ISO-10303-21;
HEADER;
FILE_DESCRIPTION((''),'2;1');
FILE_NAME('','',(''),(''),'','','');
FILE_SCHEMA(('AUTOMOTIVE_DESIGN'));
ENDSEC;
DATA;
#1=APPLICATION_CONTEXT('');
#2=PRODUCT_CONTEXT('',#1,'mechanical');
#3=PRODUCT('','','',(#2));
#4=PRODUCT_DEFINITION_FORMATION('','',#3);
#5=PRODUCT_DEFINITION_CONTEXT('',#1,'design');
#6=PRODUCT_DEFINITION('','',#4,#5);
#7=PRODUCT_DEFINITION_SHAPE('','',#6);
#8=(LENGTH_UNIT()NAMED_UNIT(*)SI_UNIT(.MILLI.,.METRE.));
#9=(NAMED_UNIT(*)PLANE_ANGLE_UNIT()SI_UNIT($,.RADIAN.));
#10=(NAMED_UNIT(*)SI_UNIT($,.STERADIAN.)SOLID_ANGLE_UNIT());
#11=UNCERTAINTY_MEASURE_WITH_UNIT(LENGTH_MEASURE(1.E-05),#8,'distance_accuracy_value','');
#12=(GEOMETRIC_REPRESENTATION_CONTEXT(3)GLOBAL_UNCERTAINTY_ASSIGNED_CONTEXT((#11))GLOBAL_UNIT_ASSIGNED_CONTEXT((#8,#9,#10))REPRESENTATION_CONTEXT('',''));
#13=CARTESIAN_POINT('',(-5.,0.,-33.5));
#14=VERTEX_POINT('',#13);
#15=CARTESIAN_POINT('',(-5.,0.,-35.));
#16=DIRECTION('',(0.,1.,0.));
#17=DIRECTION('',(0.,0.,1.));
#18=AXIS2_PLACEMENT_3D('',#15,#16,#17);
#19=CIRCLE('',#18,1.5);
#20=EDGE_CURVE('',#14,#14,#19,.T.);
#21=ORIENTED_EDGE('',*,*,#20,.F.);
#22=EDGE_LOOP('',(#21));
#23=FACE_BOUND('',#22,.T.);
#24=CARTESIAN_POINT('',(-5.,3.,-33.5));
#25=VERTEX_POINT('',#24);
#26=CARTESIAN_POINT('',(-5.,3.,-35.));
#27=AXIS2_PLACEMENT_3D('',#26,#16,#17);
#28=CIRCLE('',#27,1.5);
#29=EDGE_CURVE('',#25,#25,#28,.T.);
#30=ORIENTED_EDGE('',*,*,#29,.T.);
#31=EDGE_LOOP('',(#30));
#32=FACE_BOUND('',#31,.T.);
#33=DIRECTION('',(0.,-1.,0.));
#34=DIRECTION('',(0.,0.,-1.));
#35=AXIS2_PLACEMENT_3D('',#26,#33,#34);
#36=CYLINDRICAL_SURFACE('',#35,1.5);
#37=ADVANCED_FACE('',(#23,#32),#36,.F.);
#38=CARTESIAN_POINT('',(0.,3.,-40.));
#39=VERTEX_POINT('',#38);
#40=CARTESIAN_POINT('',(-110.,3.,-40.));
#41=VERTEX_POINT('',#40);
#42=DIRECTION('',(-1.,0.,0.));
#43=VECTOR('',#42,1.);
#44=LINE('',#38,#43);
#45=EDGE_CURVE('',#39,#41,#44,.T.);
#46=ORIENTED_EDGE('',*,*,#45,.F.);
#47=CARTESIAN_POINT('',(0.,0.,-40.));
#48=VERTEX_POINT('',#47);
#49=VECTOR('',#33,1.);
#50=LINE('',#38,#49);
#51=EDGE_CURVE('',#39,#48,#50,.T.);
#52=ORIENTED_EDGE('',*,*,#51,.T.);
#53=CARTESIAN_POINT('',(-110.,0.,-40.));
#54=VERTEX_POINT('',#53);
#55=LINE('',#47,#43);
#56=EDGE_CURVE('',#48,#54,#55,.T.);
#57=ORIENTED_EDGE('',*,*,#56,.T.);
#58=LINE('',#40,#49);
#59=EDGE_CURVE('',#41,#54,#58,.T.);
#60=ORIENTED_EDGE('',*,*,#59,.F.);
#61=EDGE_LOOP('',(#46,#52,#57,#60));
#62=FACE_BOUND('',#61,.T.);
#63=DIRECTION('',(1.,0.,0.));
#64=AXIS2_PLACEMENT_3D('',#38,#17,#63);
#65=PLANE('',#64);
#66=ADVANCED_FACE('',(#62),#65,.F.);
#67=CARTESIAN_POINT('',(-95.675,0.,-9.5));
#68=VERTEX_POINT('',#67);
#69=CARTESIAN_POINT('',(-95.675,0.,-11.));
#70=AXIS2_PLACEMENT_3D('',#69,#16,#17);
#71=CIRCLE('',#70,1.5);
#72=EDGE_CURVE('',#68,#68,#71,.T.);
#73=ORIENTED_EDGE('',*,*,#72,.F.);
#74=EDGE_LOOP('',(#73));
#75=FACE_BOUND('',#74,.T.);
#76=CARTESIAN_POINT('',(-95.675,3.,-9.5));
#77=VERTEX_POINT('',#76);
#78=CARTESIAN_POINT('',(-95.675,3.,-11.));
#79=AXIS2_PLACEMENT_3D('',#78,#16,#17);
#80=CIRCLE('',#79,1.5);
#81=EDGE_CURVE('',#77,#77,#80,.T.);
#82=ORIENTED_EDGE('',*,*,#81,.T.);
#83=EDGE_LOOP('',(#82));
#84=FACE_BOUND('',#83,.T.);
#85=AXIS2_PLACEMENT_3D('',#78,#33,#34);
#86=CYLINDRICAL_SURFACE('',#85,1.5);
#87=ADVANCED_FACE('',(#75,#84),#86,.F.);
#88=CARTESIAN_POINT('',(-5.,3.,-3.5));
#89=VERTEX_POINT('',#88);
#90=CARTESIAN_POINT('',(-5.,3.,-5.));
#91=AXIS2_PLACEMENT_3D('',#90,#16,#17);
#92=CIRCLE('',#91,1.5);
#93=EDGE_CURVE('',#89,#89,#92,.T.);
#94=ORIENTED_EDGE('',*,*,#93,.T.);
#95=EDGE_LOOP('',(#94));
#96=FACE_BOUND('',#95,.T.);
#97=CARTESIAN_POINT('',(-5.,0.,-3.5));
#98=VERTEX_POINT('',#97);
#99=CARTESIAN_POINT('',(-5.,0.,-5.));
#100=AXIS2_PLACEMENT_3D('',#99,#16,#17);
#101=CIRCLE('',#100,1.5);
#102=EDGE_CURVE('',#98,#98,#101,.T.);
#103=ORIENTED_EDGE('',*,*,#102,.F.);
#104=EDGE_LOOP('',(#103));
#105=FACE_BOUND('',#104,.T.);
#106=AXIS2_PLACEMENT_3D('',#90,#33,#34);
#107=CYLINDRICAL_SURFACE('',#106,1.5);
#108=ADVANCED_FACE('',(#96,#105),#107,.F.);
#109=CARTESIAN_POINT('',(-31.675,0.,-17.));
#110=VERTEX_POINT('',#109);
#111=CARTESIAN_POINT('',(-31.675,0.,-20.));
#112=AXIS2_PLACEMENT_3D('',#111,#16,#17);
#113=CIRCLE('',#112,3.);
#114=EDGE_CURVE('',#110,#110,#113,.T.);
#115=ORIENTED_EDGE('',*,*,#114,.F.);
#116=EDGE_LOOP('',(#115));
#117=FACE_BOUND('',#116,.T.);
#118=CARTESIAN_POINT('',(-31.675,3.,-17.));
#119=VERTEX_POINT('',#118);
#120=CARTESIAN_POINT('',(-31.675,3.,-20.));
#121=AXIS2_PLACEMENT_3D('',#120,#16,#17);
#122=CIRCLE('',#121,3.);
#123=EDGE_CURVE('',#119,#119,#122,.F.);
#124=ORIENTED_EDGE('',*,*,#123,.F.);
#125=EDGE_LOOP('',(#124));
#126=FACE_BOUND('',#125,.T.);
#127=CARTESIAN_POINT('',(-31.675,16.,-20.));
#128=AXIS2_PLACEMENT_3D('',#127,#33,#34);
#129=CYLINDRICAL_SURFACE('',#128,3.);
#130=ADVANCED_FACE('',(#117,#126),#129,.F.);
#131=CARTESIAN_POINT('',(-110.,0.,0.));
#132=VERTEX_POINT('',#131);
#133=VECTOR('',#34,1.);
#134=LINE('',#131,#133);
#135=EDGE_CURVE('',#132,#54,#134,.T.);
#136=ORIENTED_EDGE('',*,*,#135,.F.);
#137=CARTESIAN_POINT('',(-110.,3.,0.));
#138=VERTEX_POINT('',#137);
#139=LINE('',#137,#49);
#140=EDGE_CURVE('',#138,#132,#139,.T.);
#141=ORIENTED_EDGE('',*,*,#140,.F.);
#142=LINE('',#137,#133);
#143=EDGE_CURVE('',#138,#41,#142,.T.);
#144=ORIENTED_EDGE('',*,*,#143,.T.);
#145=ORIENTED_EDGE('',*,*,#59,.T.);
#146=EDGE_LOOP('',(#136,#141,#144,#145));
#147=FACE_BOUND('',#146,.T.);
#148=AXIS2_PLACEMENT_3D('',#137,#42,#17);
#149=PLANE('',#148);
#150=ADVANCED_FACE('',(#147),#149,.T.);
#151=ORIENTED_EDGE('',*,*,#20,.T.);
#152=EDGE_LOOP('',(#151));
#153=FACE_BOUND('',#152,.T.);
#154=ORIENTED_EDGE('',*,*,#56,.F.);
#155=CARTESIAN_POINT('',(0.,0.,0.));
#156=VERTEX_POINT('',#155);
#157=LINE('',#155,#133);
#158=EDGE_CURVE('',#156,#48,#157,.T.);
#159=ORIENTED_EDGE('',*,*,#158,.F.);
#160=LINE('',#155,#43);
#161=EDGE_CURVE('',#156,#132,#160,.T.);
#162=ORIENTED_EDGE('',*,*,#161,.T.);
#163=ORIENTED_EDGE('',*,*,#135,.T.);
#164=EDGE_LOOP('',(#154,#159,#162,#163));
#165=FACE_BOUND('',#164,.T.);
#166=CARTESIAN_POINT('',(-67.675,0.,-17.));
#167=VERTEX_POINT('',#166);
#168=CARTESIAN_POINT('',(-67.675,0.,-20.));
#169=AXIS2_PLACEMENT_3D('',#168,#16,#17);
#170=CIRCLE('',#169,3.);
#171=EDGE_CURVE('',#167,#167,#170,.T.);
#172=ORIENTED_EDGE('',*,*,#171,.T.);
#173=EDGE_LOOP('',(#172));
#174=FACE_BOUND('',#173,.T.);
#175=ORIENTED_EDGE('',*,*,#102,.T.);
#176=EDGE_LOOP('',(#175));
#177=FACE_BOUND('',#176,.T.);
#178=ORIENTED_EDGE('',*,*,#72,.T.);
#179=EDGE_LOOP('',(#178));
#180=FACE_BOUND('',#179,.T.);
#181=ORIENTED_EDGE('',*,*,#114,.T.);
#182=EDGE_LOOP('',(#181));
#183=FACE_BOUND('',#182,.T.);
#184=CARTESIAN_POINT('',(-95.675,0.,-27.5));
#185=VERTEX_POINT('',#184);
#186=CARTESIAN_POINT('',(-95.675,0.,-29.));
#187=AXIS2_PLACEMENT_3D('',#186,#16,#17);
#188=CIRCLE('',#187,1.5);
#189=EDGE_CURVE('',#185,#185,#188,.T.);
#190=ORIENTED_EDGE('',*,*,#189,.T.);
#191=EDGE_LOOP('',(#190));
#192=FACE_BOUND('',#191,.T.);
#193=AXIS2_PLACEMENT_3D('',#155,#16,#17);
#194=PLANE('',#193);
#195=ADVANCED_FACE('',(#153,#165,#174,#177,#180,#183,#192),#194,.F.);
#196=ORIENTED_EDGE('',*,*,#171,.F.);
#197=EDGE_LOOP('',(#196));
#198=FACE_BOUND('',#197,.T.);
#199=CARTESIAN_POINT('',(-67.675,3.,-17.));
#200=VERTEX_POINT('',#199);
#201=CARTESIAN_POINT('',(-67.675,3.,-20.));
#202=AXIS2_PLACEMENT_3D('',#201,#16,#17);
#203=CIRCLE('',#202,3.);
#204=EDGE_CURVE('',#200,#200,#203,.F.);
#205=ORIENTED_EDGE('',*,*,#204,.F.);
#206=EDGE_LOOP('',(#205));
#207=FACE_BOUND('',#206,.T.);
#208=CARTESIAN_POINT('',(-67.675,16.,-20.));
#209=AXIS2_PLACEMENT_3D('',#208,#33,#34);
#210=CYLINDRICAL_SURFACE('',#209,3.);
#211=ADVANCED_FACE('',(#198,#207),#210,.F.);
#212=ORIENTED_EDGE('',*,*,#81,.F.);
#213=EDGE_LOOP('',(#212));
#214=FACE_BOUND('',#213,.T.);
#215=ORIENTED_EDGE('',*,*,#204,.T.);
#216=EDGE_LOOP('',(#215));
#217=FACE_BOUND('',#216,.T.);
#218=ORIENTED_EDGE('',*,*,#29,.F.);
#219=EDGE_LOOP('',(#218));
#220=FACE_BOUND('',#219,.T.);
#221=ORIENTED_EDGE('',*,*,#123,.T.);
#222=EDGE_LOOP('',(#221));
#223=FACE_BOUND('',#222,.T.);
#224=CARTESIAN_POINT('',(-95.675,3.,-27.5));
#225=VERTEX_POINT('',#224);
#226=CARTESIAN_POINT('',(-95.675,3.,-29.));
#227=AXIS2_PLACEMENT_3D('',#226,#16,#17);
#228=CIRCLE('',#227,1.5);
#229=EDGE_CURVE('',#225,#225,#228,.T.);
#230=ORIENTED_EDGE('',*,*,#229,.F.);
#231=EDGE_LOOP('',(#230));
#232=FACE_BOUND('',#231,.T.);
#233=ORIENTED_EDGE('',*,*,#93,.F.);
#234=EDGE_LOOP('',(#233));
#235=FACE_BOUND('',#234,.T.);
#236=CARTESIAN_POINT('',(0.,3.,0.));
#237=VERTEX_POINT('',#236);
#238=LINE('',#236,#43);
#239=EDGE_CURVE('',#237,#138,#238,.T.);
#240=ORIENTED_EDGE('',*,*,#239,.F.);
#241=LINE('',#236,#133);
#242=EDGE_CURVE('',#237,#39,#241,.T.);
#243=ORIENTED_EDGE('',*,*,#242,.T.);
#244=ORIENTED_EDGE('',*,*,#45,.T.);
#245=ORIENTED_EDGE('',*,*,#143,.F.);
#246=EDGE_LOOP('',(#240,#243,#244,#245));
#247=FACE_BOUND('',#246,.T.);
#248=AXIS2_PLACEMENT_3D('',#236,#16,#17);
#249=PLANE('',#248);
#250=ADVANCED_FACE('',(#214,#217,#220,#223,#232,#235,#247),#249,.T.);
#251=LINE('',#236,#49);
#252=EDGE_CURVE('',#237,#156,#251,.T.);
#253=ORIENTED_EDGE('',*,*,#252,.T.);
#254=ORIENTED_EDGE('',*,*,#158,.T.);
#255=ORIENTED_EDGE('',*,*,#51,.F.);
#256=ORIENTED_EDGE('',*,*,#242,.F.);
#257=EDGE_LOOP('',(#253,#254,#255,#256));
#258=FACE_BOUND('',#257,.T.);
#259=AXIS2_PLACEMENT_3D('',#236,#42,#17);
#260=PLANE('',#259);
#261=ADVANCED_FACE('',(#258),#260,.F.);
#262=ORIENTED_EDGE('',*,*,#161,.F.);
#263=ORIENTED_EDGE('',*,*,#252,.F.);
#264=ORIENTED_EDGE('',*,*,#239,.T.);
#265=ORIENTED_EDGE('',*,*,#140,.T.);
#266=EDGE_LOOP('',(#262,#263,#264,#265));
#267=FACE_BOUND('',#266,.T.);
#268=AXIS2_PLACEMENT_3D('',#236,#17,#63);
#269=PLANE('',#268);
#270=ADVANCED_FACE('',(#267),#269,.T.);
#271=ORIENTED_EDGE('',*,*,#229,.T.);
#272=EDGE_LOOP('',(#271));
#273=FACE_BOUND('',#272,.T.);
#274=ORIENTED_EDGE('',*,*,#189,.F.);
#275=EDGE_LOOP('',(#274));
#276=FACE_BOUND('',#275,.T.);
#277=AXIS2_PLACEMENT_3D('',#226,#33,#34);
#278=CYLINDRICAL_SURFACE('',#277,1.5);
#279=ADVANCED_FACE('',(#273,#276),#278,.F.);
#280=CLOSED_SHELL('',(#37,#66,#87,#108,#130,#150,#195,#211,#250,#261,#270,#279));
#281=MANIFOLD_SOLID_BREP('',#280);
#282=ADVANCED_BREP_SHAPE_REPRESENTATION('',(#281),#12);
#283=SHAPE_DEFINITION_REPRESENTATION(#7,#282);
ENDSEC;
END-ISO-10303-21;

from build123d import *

# Parameters (mm, degrees)
SKETCH1_W           = 110
SKETCH1_H           = 40
SKETCH1_R           = 1.5
BOSS_EXTRUDE1_DEPTH = 3
SKETCH1_6_R         = 3
CUT_EXTRUDE2_DEPTH  = 16


with BuildPart() as part:
    # Sketch1 → Boss-Extrude1 (new body)
    with BuildSketch(Plane(origin=(0, 0, 0), x_dir=(1, 0, 0), z_dir=(0, 1, 0))):
        with Locations((-55, 20)):
            Rectangle(SKETCH1_W, SKETCH1_H)
        with Locations((-95.675, 11)):
            Circle(SKETCH1_R, mode=Mode.SUBTRACT)
        with Locations((-5, 5)):
            Circle(SKETCH1_R, mode=Mode.SUBTRACT)
        with Locations((-5, 35)):
            Circle(SKETCH1_R, mode=Mode.SUBTRACT)
        with Locations((-95.675, 29)):
            Circle(SKETCH1_R, mode=Mode.SUBTRACT)
    extrude(amount=BOSS_EXTRUDE1_DEPTH)

    # Sketch1<6> → Cut-Extrude2 (cut)
    with BuildSketch(Plane(origin=(0, 0, 0), x_dir=(1, 0, 0), z_dir=(0, 1, 0))):
        with Locations((-31.675, 20)):
            Circle(SKETCH1_6_R)
        with Locations((-67.675, 20)):
            Circle(SKETCH1_6_R)
    extrude(amount=CUT_EXTRUDE2_DEPTH, mode=Mode.SUBTRACT)


solid = part.part
